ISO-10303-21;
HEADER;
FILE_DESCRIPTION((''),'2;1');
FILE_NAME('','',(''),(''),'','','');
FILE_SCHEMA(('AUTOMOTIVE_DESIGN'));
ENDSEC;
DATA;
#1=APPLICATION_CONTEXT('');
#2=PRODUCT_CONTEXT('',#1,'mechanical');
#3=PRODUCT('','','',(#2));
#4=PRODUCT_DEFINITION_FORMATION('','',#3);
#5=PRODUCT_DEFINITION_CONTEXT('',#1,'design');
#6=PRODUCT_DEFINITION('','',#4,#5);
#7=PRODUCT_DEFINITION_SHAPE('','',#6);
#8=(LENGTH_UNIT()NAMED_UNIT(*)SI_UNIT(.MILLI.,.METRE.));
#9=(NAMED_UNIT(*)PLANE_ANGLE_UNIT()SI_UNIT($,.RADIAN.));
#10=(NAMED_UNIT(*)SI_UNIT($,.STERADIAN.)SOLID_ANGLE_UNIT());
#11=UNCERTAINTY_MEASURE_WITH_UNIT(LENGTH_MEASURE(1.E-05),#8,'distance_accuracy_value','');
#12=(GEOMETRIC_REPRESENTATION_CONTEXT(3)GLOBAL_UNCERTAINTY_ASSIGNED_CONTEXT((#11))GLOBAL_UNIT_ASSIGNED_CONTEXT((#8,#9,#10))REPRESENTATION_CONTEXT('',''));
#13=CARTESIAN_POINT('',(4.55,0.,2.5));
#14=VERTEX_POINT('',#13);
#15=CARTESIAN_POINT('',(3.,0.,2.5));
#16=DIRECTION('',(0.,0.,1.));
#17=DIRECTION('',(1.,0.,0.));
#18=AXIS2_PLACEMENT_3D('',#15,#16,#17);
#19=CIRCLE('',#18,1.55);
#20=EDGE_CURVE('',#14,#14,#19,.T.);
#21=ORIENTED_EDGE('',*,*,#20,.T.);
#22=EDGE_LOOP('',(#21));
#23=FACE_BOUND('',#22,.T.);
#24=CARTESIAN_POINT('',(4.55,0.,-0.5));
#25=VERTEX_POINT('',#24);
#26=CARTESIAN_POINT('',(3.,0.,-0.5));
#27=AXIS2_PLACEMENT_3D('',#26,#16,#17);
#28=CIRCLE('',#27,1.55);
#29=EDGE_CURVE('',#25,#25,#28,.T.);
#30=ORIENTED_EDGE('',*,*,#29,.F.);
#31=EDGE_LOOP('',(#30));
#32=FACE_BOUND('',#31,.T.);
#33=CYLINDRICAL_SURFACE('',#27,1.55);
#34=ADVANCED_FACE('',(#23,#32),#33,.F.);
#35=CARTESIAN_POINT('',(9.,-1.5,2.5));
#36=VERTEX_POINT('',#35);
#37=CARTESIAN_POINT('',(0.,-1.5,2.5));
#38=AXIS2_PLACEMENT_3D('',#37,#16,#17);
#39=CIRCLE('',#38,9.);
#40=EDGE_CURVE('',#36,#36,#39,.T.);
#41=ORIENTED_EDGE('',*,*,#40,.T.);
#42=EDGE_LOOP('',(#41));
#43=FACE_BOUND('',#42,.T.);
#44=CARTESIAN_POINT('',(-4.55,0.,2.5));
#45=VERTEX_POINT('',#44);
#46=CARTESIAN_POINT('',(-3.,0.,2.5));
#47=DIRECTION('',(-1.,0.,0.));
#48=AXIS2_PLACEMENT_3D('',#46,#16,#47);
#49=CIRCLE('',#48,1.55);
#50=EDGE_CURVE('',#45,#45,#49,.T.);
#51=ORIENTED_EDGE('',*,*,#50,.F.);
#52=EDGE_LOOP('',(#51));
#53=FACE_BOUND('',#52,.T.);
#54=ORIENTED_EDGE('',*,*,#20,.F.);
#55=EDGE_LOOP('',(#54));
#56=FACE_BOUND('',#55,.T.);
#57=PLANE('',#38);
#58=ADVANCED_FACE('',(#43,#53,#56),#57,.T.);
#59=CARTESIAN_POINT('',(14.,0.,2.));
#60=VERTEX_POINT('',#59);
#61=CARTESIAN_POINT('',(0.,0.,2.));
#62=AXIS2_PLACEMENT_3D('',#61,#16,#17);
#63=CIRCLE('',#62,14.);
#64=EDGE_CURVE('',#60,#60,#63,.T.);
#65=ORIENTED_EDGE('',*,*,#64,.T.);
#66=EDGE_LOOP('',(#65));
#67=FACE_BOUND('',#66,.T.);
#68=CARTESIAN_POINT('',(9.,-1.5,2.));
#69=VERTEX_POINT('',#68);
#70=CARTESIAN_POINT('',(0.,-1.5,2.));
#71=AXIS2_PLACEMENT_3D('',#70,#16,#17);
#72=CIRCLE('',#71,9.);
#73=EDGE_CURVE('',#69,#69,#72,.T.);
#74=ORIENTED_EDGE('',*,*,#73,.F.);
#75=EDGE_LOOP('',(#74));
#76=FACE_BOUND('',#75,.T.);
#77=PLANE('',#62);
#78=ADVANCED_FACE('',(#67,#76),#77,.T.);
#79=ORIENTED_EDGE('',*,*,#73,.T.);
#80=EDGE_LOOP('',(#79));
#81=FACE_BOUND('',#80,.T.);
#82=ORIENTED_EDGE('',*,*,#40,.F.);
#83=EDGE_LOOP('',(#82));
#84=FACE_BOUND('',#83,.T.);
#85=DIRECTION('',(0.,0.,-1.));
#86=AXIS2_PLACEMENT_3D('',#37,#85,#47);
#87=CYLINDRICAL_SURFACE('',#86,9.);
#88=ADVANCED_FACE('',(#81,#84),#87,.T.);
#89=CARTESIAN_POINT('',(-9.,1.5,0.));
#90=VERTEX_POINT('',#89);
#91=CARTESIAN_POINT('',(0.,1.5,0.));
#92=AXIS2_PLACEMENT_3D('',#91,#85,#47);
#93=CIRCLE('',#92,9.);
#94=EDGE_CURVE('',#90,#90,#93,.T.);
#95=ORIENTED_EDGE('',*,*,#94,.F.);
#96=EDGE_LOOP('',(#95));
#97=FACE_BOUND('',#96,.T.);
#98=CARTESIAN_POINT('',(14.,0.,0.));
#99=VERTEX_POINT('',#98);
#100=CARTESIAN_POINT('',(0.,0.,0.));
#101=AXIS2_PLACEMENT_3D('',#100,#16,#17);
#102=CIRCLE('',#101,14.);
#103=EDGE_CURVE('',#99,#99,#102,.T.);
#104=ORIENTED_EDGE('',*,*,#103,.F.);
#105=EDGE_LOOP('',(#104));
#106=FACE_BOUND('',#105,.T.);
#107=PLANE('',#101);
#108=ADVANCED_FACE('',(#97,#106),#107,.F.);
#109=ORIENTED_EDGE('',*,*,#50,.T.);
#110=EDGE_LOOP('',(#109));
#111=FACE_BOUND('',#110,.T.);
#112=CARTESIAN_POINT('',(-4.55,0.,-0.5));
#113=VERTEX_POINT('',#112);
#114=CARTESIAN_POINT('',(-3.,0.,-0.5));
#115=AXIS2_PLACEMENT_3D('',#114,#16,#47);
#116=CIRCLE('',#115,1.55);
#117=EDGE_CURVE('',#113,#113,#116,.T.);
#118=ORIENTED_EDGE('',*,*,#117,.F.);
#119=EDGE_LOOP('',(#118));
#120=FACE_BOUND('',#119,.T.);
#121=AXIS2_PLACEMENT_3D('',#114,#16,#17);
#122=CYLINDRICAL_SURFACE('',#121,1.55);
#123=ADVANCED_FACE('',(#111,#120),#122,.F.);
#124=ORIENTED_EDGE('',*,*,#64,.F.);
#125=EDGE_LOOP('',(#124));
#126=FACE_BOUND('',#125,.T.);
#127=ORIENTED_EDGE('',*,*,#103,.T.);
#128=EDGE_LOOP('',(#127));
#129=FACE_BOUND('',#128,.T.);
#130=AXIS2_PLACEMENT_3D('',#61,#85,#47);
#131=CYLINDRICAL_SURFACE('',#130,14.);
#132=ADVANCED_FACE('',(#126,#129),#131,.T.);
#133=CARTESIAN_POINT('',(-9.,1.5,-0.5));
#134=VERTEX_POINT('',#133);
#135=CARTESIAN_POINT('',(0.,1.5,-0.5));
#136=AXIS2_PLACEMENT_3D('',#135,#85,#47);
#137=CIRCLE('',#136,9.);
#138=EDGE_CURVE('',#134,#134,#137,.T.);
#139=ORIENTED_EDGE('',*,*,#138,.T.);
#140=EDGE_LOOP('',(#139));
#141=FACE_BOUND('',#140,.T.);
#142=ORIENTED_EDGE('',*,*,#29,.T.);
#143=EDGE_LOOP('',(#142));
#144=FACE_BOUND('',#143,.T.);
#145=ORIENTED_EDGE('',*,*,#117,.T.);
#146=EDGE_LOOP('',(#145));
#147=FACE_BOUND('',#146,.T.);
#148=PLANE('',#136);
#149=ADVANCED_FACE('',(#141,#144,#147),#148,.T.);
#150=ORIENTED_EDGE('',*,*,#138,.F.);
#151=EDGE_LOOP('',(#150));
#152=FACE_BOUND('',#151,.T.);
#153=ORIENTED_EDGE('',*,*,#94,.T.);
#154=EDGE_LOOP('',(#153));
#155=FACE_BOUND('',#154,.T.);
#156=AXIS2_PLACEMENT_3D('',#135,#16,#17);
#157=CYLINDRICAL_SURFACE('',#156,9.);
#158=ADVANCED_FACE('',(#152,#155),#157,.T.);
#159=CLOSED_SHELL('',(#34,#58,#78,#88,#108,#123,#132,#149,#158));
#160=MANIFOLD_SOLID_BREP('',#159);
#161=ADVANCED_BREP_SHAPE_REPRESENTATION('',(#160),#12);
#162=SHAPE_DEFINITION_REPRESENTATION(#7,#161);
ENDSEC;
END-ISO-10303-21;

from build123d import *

# Parameters (mm, degrees)
SKETCH1_R           = 14
BOSS_EXTRUDE1_DEPTH = 2
SKETCH2_R           = 9
BOSS_EXTRUDE2_DEPTH = 0.5
SKETCH6_R           = 9
BOSS_EXTRUDE4_DEPTH = 0.5
SKETCH7_R           = 1.55
CUT_EXTRUDE1_DEPTH  = 21.024984395


with BuildPart() as part:
    # Sketch1 → Boss-Extrude1 (new body)
    with BuildSketch(Plane.XY):
        Circle(SKETCH1_R)
    extrude(amount=BOSS_EXTRUDE1_DEPTH)

    # Sketch2 → Boss-Extrude2 (add)
    with BuildSketch(Plane.XY.offset(2)):
        with Locations((0, -1.5)):
            Circle(SKETCH2_R)
    extrude(amount=BOSS_EXTRUDE2_DEPTH)

    # Sketch6 → Boss-Extrude4 (add)
    with BuildSketch(Plane(origin=(0, 0, 0), x_dir=(-1, 0, 0), z_dir=(0, 0, -1))):
        with Locations((0, 1.5)):
            Circle(SKETCH6_R)
    extrude(amount=BOSS_EXTRUDE4_DEPTH)

    # Sketch7 → Cut-Extrude1 (cut, through all)
    with BuildSketch(Plane.XY.offset(2.5)):
        with Locations((3, 0)):
            Circle(SKETCH7_R)
        with Locations(Location((-3, 0, 0), (0, 0, 180))):
            Circle(SKETCH7_R)
    extrude(amount=-CUT_EXTRUDE1_DEPTH, mode=Mode.SUBTRACT)


solid = part.part
